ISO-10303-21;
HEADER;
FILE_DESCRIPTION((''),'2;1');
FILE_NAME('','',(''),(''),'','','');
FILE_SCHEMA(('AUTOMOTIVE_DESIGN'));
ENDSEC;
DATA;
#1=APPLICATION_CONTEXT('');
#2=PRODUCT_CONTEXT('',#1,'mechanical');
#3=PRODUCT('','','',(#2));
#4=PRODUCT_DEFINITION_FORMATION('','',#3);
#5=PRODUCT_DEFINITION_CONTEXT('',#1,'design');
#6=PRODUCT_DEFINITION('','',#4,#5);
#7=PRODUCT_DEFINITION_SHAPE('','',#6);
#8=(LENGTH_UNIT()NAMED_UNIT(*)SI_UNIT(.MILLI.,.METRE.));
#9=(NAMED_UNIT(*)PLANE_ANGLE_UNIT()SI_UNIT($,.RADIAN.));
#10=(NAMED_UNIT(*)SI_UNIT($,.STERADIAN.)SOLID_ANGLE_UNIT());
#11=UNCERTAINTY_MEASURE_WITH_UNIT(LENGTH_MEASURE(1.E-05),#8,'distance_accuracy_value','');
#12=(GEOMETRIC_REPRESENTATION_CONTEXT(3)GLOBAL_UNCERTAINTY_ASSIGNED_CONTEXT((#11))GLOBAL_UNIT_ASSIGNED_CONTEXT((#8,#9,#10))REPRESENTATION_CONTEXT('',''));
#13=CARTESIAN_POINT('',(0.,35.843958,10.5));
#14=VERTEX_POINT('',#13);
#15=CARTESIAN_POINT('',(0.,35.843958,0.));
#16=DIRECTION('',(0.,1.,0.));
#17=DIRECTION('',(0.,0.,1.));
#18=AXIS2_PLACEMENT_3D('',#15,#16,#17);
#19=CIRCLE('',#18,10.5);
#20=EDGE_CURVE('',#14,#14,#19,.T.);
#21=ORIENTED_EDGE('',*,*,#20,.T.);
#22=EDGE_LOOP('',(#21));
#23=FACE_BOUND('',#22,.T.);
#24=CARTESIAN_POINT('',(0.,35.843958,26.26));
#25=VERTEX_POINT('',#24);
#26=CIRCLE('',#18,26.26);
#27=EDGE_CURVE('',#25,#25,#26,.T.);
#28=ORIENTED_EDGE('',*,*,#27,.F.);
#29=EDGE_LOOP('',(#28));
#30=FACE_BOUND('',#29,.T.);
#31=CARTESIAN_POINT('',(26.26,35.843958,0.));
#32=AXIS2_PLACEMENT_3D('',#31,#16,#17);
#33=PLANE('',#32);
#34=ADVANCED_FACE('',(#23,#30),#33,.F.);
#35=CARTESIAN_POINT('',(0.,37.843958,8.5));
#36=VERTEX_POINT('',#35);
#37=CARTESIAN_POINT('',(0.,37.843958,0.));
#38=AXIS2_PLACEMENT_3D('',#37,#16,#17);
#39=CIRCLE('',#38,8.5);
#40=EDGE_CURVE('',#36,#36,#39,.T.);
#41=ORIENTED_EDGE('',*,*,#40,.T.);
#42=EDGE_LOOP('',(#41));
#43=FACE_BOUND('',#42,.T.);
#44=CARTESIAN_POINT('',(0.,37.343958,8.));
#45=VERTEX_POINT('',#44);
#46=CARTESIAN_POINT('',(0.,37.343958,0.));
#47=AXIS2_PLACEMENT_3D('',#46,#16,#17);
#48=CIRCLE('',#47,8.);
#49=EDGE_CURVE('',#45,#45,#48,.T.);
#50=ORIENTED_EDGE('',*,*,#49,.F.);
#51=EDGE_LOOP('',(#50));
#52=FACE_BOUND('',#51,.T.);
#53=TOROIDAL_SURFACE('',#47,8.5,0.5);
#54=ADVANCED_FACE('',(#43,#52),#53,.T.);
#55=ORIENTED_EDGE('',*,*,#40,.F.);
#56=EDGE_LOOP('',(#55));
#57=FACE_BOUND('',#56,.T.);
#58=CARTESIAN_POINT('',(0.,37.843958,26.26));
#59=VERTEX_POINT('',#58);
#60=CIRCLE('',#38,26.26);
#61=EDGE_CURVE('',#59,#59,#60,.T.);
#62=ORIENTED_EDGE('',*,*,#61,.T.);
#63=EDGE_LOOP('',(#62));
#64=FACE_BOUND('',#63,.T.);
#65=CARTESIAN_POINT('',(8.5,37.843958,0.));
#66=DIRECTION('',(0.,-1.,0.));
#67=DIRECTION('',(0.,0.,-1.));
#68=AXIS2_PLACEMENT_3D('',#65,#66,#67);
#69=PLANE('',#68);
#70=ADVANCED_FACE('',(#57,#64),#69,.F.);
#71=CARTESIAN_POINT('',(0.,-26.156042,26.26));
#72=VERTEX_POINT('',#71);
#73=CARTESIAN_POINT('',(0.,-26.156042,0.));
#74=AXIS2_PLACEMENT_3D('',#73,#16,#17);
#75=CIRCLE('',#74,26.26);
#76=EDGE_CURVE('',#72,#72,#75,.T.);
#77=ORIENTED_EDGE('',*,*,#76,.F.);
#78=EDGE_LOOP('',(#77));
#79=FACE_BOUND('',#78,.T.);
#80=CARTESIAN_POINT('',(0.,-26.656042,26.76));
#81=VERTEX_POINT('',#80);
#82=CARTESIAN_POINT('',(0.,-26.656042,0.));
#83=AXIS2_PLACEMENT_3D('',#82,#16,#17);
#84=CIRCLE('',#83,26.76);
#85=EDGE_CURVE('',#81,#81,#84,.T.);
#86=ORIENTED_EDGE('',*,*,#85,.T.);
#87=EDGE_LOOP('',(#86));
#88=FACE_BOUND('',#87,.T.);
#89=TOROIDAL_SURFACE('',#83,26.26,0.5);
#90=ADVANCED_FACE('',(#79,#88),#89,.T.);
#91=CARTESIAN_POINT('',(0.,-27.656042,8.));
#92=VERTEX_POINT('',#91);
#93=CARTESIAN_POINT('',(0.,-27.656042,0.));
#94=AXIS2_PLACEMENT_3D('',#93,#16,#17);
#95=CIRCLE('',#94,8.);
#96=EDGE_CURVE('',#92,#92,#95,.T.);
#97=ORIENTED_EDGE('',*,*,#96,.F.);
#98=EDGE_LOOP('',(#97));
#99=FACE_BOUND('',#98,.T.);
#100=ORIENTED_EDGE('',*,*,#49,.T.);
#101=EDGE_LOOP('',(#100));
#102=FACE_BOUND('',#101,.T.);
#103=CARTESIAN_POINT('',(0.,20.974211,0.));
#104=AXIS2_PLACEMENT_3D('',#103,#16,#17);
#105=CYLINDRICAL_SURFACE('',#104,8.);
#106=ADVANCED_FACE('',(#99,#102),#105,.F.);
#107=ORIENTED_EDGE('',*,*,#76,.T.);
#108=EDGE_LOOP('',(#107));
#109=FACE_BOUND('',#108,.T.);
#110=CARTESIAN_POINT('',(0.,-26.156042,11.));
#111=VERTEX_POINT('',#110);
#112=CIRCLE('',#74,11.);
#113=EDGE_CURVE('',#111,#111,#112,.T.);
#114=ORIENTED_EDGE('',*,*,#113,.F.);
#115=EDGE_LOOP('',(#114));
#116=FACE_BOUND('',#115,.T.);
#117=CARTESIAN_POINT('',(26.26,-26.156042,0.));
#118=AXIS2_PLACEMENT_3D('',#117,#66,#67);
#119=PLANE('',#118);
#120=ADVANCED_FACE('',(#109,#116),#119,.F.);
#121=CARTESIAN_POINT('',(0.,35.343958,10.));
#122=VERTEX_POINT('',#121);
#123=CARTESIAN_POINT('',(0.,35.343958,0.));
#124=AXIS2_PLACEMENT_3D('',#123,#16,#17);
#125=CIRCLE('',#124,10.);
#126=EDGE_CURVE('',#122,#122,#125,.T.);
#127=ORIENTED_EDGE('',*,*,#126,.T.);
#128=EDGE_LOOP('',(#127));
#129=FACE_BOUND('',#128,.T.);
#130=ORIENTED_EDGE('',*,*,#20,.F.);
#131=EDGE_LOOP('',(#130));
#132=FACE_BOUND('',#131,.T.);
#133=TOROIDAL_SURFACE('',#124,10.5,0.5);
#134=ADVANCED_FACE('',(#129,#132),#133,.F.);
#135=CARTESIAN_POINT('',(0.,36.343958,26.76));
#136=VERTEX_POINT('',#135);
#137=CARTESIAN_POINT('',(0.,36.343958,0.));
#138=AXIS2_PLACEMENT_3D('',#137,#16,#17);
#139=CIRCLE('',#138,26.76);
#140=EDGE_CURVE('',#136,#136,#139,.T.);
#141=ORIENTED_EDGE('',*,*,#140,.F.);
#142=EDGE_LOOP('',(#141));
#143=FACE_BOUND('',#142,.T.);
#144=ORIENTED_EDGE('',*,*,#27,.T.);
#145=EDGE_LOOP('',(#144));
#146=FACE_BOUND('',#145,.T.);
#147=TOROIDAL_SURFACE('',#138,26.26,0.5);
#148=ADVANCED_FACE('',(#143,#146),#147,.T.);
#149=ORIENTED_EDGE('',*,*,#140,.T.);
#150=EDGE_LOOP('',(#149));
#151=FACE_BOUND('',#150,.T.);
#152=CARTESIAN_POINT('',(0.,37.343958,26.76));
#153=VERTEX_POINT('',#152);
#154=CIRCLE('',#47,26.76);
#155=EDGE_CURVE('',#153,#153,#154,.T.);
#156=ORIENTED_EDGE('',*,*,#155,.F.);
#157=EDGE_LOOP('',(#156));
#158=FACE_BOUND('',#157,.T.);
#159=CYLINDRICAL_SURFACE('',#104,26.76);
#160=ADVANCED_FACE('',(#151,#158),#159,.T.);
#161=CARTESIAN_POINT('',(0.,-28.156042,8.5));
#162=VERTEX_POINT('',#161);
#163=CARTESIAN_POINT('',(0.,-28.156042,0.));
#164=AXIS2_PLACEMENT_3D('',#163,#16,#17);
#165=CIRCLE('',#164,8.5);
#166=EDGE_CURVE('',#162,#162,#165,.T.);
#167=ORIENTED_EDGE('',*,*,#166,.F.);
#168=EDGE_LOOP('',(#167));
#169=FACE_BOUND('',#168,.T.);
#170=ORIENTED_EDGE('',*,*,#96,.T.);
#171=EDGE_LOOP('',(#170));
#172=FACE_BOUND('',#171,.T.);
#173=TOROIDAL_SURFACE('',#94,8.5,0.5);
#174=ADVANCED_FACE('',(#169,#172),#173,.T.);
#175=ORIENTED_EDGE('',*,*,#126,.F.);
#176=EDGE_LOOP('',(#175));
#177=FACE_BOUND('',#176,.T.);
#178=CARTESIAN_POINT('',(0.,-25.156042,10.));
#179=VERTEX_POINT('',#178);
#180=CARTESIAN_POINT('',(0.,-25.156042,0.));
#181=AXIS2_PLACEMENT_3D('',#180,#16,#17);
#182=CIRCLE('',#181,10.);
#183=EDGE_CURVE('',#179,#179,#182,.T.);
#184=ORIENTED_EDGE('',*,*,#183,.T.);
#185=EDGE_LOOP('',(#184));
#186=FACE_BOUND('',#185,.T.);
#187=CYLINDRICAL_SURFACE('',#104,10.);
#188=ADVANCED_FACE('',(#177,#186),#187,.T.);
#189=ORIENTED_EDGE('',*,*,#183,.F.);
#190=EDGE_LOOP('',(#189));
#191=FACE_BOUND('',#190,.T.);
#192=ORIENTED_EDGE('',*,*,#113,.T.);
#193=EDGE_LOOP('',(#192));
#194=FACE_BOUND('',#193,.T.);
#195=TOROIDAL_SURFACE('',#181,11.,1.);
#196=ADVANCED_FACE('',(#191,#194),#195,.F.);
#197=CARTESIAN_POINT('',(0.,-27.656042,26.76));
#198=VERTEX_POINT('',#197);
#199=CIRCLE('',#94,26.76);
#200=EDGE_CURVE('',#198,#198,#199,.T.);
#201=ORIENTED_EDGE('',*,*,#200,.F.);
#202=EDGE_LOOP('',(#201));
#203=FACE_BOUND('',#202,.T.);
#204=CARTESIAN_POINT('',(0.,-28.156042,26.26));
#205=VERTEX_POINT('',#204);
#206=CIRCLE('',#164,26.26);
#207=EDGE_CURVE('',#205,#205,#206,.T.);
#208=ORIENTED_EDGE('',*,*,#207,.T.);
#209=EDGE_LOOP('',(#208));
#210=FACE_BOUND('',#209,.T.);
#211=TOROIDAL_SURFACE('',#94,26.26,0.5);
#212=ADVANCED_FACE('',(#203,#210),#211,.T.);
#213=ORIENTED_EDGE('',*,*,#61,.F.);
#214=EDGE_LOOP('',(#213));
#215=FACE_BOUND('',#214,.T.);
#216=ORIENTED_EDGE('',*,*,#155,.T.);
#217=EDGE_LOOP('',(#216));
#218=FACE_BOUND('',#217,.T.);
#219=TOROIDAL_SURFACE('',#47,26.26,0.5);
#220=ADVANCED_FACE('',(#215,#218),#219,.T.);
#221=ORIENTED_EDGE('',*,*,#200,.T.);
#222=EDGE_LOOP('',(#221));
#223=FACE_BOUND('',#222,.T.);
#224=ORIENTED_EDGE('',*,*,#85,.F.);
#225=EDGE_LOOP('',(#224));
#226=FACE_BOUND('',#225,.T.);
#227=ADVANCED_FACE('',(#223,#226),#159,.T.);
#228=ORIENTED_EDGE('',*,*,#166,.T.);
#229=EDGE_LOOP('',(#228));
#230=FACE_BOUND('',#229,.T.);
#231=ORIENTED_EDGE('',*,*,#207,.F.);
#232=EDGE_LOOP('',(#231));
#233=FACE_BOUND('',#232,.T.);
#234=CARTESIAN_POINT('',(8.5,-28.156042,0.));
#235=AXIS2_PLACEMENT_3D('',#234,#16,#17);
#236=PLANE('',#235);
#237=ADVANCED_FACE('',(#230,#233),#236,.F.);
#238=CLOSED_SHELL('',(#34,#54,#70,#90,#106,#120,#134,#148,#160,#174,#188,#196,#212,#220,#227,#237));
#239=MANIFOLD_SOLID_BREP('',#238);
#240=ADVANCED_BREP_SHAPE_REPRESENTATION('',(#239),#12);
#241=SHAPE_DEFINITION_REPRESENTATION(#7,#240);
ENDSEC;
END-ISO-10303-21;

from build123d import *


with BuildPart() as part:
    # Croquis1 → Revolución1 (revolve)
    with BuildSketch(Plane.XY, mode=Mode.PRIVATE) as revoluci_n1_sk:
        with BuildLine():
            Line((8, 37.343958304), (8, -27.656041696))
            ThreePointArc((8, -27.656041696), (8.146446609, -28.009595087), (8.5, -28.156041696))
            Line((8.5, -28.156041696), (26.26, -28.156041696))
            ThreePointArc((26.26, -28.156041696), (26.613553391, -28.009595087), (26.76, -27.656041696))
            Line((26.76, -27.656041696), (26.76, -26.656041696))
            ThreePointArc((26.76, -26.656041696), (26.613553391, -26.302488306), (26.26, -26.156041696))
            Line((26.26, -26.156041696), (11, -26.156041696))
            ThreePointArc((11, -26.156041696), (10.292893219, -25.863148478), (10, -25.156041696))
            Line((10, -25.156041696), (10, 35.343958304))
            ThreePointArc((10, 35.343958304), (10.146446609, 35.697511694), (10.5, 35.843958304))
            Line((10.5, 35.843958304), (26.26, 35.843958304))
            ThreePointArc((26.26, 35.843958304), (26.613553391, 35.990404913), (26.76, 36.343958304))
            Line((26.76, 36.343958304), (26.76, 37.343958304))
            ThreePointArc((26.76, 37.343958304), (26.613553391, 37.697511694), (26.26, 37.843958304))
            Line((26.26, 37.843958304), (8.5, 37.843958304))
            ThreePointArc((8.5, 37.843958304), (8.146446609, 37.697511694), (8, 37.343958304))
        make_face()
    revolve(revoluci_n1_sk.sketch.rotate(Axis((0, 20.974210771, 0), (0, -1, 0)), 90), axis=Axis((0, 20.974210771, 0), (0, -1, 0)))


solid = part.part
